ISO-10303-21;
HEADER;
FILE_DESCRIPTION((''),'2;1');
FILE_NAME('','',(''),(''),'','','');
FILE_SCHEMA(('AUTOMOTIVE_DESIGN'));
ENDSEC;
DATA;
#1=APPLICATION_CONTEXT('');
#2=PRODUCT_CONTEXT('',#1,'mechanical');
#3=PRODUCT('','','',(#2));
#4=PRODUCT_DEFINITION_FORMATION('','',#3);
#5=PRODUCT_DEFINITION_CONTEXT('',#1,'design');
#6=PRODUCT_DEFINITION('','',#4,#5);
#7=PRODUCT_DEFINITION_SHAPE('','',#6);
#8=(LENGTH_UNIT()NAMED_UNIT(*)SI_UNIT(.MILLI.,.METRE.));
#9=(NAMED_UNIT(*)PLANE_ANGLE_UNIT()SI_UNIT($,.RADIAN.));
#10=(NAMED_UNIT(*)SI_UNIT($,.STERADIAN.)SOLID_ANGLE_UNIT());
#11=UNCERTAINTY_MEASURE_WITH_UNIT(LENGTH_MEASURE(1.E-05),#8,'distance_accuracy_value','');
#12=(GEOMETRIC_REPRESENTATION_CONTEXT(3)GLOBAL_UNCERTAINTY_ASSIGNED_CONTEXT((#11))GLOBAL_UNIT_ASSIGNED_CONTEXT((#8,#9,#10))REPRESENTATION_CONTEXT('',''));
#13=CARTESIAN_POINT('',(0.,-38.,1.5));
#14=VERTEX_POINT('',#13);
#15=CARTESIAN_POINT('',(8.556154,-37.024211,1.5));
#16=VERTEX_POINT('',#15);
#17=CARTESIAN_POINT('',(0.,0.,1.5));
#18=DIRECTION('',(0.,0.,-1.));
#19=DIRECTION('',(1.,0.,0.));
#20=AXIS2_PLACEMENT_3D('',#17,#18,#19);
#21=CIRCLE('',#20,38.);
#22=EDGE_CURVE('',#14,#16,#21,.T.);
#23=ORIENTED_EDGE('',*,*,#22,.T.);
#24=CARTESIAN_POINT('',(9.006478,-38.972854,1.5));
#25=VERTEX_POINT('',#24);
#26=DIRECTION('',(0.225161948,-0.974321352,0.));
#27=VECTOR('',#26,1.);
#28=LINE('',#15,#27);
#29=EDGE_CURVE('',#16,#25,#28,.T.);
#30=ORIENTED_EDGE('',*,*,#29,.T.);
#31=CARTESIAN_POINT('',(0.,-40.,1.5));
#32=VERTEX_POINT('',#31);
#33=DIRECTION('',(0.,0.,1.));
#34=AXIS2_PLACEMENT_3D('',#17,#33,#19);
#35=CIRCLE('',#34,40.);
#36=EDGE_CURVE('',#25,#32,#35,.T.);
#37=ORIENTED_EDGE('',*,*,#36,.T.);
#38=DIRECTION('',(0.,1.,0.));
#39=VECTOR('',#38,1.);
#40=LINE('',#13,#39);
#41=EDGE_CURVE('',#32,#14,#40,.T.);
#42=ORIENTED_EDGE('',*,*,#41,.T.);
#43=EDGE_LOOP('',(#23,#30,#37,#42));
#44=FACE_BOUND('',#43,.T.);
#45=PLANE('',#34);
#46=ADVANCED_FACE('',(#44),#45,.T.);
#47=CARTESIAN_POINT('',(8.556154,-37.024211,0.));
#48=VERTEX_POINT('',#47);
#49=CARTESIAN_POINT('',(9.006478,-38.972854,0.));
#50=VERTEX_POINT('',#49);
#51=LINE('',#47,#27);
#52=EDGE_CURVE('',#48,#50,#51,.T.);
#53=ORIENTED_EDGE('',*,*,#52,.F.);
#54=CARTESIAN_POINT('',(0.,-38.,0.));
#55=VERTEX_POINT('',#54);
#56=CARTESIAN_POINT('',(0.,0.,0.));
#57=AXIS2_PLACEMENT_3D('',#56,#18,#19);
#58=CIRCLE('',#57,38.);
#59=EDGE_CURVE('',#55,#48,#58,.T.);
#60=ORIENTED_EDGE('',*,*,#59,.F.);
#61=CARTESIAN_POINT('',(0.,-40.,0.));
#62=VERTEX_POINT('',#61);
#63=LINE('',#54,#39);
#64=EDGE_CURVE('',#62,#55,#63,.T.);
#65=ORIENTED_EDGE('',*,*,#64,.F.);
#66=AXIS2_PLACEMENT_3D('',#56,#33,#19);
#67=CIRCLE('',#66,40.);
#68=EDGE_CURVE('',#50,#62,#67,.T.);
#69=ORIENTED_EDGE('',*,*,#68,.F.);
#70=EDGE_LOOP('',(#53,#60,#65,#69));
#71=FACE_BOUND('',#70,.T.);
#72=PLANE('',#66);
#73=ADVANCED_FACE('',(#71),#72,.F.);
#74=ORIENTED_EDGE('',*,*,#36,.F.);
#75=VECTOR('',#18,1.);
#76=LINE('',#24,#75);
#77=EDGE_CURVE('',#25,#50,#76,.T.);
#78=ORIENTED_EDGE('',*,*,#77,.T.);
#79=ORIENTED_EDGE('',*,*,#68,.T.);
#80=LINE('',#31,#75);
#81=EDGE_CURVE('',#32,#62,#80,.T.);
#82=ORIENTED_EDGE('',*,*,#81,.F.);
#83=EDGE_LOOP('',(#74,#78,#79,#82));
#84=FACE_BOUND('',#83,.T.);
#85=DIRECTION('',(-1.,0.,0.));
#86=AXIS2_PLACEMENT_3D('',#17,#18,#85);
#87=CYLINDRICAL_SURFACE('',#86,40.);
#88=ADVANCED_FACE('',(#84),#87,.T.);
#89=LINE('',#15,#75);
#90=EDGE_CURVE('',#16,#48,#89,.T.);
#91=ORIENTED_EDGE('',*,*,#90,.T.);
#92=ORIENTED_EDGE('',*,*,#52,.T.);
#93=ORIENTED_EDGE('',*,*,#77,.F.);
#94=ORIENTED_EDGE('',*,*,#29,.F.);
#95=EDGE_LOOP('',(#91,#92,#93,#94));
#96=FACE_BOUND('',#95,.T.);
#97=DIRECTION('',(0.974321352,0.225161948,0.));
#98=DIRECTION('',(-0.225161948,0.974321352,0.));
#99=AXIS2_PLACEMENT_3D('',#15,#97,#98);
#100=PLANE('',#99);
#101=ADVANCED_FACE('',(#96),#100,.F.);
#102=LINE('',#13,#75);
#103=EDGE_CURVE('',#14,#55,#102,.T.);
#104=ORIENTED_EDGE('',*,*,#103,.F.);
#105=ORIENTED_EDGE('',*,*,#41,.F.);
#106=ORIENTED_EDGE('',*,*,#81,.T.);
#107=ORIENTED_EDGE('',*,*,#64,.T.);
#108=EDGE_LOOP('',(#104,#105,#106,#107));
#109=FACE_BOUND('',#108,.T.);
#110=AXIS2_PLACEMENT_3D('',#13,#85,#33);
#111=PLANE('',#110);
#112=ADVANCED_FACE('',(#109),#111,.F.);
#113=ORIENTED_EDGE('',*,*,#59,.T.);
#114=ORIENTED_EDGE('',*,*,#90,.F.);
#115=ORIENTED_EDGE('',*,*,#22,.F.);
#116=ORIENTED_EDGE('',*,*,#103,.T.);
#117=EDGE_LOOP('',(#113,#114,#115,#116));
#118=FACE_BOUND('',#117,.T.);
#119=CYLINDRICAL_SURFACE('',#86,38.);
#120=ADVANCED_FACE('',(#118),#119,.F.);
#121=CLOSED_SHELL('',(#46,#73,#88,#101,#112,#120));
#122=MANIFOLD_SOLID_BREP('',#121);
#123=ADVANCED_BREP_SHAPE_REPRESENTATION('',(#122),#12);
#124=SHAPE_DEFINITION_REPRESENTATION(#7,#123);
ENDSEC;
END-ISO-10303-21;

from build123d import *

# Parameters (mm, degrees)
SALIENTE_EXTRUIR1_DEPTH = 1.5


with BuildPart() as part:
    # Croquis1 → Saliente-Extruir1 (new body)
    with BuildSketch(Plane.XY):
        with BuildLine():
            Line((8.556154038, -37.024211377), (9.006477934, -38.972854081))
            ThreePointArc((9.006477934, -38.972854081), (-4.532429633, 39.742383945), (0, -40))
            Line((0, -40), (0, -38))
            ThreePointArc((0, -38), (-4.305808152, 37.755264748), (8.556154038, -37.024211377))
        make_face()
    extrude(amount=SALIENTE_EXTRUIR1_DEPTH)


solid = part.part
